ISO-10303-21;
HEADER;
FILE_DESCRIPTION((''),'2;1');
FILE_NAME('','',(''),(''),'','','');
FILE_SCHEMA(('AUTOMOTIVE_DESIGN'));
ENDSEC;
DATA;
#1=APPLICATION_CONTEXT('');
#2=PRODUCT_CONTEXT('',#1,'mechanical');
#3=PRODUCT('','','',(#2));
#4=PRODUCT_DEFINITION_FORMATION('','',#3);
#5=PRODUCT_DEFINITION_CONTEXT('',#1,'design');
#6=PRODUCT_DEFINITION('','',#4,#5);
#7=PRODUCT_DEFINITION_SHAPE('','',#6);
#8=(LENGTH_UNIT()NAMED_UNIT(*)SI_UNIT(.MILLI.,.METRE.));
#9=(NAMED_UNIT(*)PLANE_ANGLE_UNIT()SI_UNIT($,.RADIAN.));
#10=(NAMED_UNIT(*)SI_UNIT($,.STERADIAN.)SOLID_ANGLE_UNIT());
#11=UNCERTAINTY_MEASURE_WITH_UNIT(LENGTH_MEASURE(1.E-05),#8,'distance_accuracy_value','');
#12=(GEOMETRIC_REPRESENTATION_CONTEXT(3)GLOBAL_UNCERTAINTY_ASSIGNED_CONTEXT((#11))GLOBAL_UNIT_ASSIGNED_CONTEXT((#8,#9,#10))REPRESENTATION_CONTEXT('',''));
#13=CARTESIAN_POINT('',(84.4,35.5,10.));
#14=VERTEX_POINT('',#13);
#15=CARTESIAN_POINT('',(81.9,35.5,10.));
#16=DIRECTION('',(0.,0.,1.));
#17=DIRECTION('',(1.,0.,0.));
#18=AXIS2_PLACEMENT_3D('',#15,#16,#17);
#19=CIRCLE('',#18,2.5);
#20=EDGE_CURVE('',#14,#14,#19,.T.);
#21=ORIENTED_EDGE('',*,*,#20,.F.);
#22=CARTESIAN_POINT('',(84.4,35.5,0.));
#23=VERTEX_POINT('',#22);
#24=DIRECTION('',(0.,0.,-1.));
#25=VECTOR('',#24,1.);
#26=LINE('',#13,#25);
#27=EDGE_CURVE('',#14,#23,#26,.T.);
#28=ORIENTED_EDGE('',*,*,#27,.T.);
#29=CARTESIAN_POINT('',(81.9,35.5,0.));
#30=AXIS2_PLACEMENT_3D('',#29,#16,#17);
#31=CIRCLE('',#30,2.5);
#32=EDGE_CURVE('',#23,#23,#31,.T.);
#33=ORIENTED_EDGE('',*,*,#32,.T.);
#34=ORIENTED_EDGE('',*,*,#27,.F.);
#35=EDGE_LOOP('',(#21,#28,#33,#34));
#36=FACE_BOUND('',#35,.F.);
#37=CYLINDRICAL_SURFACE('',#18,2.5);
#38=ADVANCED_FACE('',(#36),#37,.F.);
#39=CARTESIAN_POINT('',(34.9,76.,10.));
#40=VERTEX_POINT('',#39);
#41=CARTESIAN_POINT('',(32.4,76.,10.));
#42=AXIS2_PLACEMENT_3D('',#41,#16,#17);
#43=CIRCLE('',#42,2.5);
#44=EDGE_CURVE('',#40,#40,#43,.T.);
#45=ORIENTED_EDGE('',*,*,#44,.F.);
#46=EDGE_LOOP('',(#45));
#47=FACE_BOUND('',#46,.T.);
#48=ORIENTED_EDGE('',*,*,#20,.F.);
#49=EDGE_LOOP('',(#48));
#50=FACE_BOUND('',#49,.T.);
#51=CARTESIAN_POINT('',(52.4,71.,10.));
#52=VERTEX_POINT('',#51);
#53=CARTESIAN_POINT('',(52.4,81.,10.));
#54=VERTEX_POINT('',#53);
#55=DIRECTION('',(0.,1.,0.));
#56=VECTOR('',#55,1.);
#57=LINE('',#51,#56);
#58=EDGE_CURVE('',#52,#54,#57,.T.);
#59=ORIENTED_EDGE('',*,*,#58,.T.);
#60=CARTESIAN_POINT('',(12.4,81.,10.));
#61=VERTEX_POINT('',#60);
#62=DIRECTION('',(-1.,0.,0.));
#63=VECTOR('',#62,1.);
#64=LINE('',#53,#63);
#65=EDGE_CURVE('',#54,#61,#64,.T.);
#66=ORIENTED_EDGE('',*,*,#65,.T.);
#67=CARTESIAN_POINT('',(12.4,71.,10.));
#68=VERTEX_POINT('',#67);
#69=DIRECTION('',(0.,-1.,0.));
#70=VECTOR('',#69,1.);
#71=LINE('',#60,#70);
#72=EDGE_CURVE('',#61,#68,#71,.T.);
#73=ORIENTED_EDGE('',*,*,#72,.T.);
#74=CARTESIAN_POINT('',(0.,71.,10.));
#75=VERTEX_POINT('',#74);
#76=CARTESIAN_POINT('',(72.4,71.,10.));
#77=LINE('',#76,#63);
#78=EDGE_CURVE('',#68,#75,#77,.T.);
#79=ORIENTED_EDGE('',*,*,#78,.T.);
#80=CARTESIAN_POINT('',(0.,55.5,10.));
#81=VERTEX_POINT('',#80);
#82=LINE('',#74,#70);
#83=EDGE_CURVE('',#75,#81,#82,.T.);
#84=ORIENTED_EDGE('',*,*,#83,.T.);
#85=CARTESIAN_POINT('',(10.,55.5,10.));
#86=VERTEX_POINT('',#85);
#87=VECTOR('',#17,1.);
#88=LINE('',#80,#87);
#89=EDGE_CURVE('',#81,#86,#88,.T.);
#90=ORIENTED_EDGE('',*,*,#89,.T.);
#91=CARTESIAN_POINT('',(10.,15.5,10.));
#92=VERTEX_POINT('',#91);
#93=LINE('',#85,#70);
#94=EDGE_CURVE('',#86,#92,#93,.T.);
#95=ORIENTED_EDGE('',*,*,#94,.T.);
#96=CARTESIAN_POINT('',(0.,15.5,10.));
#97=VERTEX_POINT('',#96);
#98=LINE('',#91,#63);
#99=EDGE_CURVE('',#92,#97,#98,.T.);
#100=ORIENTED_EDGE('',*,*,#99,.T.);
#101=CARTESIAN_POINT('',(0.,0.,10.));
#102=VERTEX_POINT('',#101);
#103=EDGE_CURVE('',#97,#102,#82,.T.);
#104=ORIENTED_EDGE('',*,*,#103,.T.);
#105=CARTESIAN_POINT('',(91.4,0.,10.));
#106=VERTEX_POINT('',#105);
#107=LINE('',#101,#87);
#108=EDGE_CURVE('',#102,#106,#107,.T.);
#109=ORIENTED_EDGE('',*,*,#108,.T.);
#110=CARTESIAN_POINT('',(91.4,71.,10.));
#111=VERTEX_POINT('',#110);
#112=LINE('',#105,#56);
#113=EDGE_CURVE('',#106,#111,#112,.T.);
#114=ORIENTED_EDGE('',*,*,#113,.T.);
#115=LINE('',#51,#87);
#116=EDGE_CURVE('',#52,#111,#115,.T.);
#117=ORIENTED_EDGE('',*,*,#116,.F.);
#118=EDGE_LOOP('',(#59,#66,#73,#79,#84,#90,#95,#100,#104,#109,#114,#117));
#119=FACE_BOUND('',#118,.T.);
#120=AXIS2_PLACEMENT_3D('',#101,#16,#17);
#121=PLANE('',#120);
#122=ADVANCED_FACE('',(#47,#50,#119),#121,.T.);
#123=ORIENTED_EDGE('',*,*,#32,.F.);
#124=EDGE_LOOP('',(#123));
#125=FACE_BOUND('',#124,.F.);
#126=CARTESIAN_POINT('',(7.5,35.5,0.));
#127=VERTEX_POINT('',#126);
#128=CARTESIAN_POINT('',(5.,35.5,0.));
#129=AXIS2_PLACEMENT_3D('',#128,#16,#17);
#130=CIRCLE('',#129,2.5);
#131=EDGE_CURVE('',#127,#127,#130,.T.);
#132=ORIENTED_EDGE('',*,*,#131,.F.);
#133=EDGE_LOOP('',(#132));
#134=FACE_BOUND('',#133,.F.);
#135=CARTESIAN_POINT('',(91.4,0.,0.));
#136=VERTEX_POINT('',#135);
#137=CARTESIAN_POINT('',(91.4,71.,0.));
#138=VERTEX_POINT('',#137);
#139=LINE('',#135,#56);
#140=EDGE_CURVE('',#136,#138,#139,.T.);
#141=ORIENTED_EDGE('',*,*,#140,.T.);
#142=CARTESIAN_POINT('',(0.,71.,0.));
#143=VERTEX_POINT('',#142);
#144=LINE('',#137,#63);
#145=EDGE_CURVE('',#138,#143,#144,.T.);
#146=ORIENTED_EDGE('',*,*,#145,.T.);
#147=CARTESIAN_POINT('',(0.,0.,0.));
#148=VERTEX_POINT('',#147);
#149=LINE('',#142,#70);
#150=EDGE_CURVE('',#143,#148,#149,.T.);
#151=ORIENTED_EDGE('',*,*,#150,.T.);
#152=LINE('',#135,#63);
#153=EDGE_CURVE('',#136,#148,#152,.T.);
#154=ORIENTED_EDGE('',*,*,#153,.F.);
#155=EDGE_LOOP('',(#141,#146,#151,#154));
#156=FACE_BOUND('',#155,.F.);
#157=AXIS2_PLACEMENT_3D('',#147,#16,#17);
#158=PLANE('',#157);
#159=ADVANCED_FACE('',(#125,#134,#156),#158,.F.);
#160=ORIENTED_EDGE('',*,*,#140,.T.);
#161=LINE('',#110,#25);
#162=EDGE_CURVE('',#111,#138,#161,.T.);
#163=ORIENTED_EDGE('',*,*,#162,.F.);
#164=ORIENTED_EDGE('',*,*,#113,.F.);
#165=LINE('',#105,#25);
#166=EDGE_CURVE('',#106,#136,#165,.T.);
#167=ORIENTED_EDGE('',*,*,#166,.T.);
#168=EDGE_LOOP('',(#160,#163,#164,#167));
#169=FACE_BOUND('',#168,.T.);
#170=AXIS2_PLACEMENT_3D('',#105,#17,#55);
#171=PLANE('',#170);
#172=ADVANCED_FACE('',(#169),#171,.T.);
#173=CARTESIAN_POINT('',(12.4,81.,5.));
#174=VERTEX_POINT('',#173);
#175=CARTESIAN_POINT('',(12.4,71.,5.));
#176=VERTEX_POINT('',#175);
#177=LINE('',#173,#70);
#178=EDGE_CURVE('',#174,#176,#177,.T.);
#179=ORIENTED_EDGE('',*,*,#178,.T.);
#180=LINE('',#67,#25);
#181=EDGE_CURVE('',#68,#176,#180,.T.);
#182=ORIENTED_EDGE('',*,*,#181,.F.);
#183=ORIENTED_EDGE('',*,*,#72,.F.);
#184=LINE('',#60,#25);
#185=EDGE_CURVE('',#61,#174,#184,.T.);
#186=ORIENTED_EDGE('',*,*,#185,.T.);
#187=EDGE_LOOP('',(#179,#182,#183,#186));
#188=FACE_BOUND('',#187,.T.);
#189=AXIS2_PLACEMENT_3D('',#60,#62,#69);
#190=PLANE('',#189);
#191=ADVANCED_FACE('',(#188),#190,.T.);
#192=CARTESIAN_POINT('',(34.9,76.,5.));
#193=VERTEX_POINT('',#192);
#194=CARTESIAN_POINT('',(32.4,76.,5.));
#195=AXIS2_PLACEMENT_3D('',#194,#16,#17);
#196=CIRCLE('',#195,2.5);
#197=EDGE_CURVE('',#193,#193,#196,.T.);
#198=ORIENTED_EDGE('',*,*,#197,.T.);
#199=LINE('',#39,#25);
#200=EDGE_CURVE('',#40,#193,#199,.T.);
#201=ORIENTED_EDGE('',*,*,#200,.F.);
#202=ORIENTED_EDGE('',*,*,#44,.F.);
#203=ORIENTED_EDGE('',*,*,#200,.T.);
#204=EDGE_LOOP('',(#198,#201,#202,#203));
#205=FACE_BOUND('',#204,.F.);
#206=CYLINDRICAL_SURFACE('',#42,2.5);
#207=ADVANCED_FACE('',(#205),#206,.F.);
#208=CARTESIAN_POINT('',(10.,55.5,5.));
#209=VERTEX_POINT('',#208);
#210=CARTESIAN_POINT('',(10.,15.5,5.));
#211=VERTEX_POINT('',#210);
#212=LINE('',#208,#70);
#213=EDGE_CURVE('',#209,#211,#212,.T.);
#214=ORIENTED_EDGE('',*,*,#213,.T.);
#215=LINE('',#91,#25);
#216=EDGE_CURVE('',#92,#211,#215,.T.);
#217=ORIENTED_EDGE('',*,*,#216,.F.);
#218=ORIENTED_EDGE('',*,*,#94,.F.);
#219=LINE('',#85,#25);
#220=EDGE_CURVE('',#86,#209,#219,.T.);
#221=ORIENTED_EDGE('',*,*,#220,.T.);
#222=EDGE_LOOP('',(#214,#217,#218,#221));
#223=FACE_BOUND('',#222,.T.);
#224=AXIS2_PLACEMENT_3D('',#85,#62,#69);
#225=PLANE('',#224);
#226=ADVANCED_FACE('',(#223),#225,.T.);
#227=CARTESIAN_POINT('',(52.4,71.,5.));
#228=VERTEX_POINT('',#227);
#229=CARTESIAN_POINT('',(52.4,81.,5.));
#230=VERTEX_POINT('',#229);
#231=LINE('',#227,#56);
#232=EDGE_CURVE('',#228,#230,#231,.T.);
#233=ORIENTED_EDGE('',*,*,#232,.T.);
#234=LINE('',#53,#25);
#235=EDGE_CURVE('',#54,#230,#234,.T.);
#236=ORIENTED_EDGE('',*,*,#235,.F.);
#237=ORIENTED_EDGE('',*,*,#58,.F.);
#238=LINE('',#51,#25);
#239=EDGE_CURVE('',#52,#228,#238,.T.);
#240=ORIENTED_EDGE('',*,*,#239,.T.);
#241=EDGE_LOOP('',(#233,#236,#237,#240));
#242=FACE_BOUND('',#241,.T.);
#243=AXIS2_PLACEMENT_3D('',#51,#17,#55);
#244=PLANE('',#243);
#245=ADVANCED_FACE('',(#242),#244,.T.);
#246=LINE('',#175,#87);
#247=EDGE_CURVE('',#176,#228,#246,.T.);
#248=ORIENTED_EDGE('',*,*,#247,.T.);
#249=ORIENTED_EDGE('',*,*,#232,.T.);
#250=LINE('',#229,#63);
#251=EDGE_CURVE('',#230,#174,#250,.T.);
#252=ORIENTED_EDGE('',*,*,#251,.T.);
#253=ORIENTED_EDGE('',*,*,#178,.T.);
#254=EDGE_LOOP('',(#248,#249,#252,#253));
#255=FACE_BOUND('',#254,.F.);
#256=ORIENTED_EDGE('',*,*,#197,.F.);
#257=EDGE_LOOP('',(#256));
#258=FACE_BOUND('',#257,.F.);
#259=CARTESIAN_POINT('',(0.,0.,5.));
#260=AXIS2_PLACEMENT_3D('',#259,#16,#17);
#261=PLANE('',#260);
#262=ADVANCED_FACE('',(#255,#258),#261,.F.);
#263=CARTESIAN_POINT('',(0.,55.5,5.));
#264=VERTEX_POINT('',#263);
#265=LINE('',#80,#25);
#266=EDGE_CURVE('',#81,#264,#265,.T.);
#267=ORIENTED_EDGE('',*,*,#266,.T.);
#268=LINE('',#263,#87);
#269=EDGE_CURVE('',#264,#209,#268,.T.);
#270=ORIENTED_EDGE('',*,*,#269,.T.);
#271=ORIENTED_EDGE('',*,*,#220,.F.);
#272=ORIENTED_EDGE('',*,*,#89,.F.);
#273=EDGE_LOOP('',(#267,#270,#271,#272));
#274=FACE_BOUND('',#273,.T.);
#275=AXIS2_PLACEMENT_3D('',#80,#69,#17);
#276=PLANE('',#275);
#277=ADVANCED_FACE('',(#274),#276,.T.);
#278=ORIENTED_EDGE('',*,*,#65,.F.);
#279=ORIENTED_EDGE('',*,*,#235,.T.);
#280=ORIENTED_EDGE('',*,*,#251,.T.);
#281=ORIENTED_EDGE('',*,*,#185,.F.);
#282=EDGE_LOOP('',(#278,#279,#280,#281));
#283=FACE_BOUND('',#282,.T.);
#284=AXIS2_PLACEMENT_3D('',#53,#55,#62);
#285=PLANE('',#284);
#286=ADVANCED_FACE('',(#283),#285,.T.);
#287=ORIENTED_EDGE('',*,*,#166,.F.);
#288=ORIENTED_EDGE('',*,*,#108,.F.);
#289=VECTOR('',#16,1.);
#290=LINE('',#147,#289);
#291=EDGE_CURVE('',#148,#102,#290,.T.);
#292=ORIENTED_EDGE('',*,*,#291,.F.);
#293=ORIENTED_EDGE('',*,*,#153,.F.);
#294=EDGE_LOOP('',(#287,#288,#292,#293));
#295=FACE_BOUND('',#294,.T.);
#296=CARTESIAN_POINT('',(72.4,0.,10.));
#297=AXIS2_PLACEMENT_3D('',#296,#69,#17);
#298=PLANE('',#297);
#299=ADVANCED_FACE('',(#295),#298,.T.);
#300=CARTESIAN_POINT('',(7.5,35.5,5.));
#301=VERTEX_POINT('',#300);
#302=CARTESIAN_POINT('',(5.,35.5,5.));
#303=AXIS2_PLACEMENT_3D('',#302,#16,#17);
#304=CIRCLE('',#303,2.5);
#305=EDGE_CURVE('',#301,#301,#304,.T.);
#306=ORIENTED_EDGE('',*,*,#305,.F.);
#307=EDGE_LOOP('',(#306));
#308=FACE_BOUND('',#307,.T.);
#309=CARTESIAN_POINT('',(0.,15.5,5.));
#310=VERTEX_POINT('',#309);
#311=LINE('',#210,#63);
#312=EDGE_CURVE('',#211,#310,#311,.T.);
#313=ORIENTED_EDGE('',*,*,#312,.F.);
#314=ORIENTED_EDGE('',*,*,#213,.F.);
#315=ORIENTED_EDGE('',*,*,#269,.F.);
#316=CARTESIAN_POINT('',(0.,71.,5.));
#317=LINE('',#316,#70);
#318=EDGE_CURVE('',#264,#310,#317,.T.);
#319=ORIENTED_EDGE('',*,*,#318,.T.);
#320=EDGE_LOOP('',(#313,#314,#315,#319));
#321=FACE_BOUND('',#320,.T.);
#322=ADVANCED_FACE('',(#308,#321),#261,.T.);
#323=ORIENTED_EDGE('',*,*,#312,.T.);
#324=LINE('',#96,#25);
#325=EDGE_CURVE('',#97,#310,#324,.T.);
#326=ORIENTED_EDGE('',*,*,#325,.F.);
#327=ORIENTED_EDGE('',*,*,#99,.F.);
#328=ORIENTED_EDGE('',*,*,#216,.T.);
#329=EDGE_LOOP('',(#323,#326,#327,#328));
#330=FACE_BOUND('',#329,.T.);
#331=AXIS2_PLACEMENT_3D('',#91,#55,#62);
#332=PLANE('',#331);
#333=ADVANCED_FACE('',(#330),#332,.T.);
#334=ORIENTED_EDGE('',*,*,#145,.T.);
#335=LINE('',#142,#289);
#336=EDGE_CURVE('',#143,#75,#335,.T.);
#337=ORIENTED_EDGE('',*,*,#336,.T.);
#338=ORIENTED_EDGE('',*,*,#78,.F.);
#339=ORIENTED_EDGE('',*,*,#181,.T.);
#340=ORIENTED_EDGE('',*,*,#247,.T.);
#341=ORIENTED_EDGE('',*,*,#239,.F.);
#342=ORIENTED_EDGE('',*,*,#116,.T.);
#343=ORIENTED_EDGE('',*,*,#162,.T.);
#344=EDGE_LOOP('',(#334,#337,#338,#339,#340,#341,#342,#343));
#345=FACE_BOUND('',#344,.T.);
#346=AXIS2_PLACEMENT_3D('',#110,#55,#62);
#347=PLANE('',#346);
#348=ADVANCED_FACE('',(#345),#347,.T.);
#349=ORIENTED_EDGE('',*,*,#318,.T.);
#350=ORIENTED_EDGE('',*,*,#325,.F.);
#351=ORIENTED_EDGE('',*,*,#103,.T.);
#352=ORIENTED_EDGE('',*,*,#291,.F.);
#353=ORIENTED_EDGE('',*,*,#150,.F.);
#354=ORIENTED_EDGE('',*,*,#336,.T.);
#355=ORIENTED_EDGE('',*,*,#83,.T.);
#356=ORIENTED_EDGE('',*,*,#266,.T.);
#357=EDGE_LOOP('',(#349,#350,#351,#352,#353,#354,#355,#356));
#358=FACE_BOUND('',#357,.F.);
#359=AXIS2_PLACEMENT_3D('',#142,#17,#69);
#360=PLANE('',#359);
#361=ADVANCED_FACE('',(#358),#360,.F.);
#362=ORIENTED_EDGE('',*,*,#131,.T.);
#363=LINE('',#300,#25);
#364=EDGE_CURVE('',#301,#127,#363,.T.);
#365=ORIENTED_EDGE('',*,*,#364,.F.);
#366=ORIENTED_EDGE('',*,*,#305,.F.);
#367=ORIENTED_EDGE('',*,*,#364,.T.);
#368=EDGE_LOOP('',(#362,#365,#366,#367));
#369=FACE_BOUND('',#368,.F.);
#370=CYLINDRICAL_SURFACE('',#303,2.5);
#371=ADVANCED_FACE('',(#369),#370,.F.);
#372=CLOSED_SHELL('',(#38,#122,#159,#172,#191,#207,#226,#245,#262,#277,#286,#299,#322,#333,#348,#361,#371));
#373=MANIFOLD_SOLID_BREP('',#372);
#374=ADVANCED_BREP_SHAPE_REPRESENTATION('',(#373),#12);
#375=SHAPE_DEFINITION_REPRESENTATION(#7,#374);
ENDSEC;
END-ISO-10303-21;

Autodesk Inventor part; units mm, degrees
ref_plane "YZ Plane" through (0, 0, 0) normal (1, 0, 0) x (0, 1, 0)
ref_plane "XZ Plane" through (0, 0, 0) normal (0, 1, 0) x (-1, 0, 0)
ref_plane "XY Plane" through (0, 0, 0) normal (0, 0, 1) x (1, 0, 0)
sketch "Sketch1" plane through (0, 0, 0) normal (0, 0, 1) x (1, 0, 0)
  line L0 (0, 0) -> (72.4, 0)
  line L1 (72.4, 0) -> (72.4, 71)
  line L2 (72.4, 71) -> (0, 71)
  line L3 (0, 71) -> (0, 0)
  dimension "d0" = 72.4
  dimension "d1" = 71
extrude "Extrusion1" add sketch "Sketch1" along normal blind 10
sketch "Sketch2" plane through (0, 0, 10) normal (0, 0, 1) x (1, 0, 0)
  line L0 (12.4, 71) -> (52.4, 71)
  line L1 (52.4, 71) -> (52.4, 81)
  line L2 (52.4, 81) -> (12.4, 81)
  line L3 (12.4, 81) -> (12.4, 71)
  line L4 (72.4, 0) -> (72.4, 71) projected
  line L5 (72.4, 71) -> (0, 71) projected
  circle A0 centre (32.4, 76) radius 2.5
  point P0 (0, 0)
  point P1 (36.2, 71)
  point P2 (52.4, 76)
  point P3 (32.4, 81)
  dimension "d4" = 40
  dimension "d5" = 10
  dimension "d6" = 20
  dimension "d7" = 5
extrude "Extrusion2" add sketch "Sketch2" against normal blind 5
sketch "Sketch3" plane through (0, 0, 10) normal (0, 0, 1) x (1, 0, 0)
  line L0 (72.4, 0) -> (72.4, 71) projected
  line L1 (72.4, 0) -> (91.4, 0)
  line L2 (91.4, 0) -> (91.4, 71)
  line L3 (91.4, 71) -> (72.4, 71)
  line L4 (72.4, 71) -> (72.4, 0)
  line L5 (72.4, 71) -> (52.4, 71) projected
  point P0 (0, 0)
  dimension "d10" = 19
extrude "Extrusion3" add sketch "Sketch3" against normal blind 10
sketch "Sketch4" plane through (0, 0, 10) normal (0, 0, 1) x (1, 0, 0)
  circle A0 centre (81.9, 35.5) radius 2.5
  line L0 (91.4, 0) -> (91.4, 71) projected
  line L1 (91.4, 35.5) -> (72.4, 35.5) construction
  point P0 (0, 0)
  point P1 (81.9, 62)
  dimension "d15" = 5
  dimension "d31" = 19
extrude "Extrusion4" cut sketch "Sketch4" against normal through all
sketch "Sketch5" plane through (0, 0, 10) normal (0, 0, 1) x (1, 0, 0)
  line L0 (0, 0) -> (91.4, 0) projected
  line L1 (12.4, 0) -> (52.4, 0)
  line L2 (52.4, 0) -> (52.4, 10)
  line L3 (52.4, 10) -> (12.4, 10)
  line L4 (12.4, 10) -> (12.4, 0)
  line L5 (0, 71) -> (0, 0) projected
  line L6 (0, 55.5) -> (10, 55.5)
  line L7 (10, 55.5) -> (10, 15.5)
  line L8 (10, 15.5) -> (0, 15.5)
  line L9 (0, 15.5) -> (0, 55.5)
  point P0 (52.4, 81)
  point P1 (12.4, 81)
  point P2 (0, 35.5)
  point P3 (0, 35.5)
  dimension "d22" = 10
  dimension "d25" = 10
  dimension "d26" = 40
extrude "Extrusion5" cut sketch "Sketch5" against normal blind 5 contours L5 L6 L7 L8
sketch "Sketch6" plane through (0, 0, 5) normal (0, 0, 1) x (1, 0, 0)
  line L0 (0, 15.5) -> (0, 55.5) projected
  line L1 (10, 15.5) -> (0, 15.5) projected
  line L2 (10, 55.5) -> (10, 15.5) projected
  line L3 (0, 55.5) -> (10, 55.5) projected
  line L4 (52.4, 0) -> (12.4, 0) projected
  line L5 (52.4, 10) -> (52.4, 0) projected
  line L6 (12.4, 10) -> (52.4, 10) projected
  line L7 (12.4, 0) -> (12.4, 10) projected
  circle A0 centre (5, 35.5) radius 2.5
  circle A1 centre (32.4, 5) radius 2.5
  point P0 (0, 0)
  point P1 (0, 35.5)
  point P2 (12.4, 5)
  point P3 (32.4, 10)
  point P4 (5, 55.5)
  dimension "d27" = 5
  dimension "d28" = 5
extrude "Extrusion6" cut sketch "Sketch6" against normal through all contours A0
properties part number "SP003" material "ABS Plastic"
